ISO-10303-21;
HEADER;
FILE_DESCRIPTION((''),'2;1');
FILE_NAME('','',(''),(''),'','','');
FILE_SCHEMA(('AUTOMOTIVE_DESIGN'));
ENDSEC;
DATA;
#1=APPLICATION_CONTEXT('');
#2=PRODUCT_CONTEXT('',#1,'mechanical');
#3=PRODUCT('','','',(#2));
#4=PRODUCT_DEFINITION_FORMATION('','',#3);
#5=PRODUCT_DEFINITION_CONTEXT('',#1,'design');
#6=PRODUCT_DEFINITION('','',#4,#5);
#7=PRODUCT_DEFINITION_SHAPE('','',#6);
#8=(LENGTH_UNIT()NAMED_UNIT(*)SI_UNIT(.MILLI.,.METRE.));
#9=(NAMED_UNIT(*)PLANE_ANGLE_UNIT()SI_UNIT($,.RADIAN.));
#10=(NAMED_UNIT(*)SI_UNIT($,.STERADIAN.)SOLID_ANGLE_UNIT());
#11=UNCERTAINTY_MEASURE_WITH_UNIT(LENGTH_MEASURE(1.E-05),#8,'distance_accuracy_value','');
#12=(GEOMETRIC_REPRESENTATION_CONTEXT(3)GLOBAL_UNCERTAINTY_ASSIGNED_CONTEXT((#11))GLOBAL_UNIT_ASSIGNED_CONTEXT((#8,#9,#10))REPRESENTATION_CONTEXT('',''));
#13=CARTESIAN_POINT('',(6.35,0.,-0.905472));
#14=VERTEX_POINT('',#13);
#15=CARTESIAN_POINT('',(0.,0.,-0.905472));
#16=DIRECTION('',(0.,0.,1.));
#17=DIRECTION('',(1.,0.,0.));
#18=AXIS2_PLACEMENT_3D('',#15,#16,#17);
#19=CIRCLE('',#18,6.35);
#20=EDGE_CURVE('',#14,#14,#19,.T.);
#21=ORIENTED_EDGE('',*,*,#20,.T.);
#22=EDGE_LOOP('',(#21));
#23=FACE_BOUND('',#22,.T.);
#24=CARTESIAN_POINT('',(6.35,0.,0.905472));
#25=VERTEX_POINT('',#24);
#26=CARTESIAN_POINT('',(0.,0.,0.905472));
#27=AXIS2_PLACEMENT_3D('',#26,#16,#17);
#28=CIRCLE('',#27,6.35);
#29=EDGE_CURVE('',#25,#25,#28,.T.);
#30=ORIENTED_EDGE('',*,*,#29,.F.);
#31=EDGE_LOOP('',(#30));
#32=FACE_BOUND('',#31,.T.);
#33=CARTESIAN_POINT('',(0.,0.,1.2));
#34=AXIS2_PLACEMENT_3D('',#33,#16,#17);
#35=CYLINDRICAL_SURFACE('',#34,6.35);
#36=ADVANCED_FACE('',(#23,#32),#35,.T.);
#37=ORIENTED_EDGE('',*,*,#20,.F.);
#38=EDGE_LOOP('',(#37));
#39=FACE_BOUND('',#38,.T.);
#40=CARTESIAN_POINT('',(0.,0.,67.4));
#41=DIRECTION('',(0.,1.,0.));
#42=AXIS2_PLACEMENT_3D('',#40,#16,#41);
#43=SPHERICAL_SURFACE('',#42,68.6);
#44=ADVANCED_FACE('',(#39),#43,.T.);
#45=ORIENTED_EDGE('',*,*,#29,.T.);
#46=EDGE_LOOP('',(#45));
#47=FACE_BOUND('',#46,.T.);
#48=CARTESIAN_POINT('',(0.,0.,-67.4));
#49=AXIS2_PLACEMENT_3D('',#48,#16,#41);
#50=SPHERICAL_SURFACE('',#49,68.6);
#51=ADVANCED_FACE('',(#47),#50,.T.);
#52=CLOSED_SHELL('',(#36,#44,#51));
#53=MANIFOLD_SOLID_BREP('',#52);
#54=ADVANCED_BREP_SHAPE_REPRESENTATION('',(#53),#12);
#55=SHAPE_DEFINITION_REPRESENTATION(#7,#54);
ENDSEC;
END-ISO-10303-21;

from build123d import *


with BuildPart() as part:
    # Sketch2 → Revolve1 (revolve)
    with BuildSketch(Plane(origin=(0, 0, 0), x_dir=(0, 0, -1), z_dir=(1, 0, 0))):
        with BuildLine():
            Line((-1.2, 0), (1.2, 0))
            ThreePointArc((1.2, 0), (1.126328432, 3.178413392), (0.905471962, 6.35))
            Line((0.905471962, 6.35), (-0.905471962, 6.35))
            ThreePointArc((-0.905471962, 6.35), (-1.126328432, 3.178413392), (-1.2, 0))
        make_face()
    revolve(axis=Axis((0, 0, 1.2), (0, 0, -1)))


solid = part.part
